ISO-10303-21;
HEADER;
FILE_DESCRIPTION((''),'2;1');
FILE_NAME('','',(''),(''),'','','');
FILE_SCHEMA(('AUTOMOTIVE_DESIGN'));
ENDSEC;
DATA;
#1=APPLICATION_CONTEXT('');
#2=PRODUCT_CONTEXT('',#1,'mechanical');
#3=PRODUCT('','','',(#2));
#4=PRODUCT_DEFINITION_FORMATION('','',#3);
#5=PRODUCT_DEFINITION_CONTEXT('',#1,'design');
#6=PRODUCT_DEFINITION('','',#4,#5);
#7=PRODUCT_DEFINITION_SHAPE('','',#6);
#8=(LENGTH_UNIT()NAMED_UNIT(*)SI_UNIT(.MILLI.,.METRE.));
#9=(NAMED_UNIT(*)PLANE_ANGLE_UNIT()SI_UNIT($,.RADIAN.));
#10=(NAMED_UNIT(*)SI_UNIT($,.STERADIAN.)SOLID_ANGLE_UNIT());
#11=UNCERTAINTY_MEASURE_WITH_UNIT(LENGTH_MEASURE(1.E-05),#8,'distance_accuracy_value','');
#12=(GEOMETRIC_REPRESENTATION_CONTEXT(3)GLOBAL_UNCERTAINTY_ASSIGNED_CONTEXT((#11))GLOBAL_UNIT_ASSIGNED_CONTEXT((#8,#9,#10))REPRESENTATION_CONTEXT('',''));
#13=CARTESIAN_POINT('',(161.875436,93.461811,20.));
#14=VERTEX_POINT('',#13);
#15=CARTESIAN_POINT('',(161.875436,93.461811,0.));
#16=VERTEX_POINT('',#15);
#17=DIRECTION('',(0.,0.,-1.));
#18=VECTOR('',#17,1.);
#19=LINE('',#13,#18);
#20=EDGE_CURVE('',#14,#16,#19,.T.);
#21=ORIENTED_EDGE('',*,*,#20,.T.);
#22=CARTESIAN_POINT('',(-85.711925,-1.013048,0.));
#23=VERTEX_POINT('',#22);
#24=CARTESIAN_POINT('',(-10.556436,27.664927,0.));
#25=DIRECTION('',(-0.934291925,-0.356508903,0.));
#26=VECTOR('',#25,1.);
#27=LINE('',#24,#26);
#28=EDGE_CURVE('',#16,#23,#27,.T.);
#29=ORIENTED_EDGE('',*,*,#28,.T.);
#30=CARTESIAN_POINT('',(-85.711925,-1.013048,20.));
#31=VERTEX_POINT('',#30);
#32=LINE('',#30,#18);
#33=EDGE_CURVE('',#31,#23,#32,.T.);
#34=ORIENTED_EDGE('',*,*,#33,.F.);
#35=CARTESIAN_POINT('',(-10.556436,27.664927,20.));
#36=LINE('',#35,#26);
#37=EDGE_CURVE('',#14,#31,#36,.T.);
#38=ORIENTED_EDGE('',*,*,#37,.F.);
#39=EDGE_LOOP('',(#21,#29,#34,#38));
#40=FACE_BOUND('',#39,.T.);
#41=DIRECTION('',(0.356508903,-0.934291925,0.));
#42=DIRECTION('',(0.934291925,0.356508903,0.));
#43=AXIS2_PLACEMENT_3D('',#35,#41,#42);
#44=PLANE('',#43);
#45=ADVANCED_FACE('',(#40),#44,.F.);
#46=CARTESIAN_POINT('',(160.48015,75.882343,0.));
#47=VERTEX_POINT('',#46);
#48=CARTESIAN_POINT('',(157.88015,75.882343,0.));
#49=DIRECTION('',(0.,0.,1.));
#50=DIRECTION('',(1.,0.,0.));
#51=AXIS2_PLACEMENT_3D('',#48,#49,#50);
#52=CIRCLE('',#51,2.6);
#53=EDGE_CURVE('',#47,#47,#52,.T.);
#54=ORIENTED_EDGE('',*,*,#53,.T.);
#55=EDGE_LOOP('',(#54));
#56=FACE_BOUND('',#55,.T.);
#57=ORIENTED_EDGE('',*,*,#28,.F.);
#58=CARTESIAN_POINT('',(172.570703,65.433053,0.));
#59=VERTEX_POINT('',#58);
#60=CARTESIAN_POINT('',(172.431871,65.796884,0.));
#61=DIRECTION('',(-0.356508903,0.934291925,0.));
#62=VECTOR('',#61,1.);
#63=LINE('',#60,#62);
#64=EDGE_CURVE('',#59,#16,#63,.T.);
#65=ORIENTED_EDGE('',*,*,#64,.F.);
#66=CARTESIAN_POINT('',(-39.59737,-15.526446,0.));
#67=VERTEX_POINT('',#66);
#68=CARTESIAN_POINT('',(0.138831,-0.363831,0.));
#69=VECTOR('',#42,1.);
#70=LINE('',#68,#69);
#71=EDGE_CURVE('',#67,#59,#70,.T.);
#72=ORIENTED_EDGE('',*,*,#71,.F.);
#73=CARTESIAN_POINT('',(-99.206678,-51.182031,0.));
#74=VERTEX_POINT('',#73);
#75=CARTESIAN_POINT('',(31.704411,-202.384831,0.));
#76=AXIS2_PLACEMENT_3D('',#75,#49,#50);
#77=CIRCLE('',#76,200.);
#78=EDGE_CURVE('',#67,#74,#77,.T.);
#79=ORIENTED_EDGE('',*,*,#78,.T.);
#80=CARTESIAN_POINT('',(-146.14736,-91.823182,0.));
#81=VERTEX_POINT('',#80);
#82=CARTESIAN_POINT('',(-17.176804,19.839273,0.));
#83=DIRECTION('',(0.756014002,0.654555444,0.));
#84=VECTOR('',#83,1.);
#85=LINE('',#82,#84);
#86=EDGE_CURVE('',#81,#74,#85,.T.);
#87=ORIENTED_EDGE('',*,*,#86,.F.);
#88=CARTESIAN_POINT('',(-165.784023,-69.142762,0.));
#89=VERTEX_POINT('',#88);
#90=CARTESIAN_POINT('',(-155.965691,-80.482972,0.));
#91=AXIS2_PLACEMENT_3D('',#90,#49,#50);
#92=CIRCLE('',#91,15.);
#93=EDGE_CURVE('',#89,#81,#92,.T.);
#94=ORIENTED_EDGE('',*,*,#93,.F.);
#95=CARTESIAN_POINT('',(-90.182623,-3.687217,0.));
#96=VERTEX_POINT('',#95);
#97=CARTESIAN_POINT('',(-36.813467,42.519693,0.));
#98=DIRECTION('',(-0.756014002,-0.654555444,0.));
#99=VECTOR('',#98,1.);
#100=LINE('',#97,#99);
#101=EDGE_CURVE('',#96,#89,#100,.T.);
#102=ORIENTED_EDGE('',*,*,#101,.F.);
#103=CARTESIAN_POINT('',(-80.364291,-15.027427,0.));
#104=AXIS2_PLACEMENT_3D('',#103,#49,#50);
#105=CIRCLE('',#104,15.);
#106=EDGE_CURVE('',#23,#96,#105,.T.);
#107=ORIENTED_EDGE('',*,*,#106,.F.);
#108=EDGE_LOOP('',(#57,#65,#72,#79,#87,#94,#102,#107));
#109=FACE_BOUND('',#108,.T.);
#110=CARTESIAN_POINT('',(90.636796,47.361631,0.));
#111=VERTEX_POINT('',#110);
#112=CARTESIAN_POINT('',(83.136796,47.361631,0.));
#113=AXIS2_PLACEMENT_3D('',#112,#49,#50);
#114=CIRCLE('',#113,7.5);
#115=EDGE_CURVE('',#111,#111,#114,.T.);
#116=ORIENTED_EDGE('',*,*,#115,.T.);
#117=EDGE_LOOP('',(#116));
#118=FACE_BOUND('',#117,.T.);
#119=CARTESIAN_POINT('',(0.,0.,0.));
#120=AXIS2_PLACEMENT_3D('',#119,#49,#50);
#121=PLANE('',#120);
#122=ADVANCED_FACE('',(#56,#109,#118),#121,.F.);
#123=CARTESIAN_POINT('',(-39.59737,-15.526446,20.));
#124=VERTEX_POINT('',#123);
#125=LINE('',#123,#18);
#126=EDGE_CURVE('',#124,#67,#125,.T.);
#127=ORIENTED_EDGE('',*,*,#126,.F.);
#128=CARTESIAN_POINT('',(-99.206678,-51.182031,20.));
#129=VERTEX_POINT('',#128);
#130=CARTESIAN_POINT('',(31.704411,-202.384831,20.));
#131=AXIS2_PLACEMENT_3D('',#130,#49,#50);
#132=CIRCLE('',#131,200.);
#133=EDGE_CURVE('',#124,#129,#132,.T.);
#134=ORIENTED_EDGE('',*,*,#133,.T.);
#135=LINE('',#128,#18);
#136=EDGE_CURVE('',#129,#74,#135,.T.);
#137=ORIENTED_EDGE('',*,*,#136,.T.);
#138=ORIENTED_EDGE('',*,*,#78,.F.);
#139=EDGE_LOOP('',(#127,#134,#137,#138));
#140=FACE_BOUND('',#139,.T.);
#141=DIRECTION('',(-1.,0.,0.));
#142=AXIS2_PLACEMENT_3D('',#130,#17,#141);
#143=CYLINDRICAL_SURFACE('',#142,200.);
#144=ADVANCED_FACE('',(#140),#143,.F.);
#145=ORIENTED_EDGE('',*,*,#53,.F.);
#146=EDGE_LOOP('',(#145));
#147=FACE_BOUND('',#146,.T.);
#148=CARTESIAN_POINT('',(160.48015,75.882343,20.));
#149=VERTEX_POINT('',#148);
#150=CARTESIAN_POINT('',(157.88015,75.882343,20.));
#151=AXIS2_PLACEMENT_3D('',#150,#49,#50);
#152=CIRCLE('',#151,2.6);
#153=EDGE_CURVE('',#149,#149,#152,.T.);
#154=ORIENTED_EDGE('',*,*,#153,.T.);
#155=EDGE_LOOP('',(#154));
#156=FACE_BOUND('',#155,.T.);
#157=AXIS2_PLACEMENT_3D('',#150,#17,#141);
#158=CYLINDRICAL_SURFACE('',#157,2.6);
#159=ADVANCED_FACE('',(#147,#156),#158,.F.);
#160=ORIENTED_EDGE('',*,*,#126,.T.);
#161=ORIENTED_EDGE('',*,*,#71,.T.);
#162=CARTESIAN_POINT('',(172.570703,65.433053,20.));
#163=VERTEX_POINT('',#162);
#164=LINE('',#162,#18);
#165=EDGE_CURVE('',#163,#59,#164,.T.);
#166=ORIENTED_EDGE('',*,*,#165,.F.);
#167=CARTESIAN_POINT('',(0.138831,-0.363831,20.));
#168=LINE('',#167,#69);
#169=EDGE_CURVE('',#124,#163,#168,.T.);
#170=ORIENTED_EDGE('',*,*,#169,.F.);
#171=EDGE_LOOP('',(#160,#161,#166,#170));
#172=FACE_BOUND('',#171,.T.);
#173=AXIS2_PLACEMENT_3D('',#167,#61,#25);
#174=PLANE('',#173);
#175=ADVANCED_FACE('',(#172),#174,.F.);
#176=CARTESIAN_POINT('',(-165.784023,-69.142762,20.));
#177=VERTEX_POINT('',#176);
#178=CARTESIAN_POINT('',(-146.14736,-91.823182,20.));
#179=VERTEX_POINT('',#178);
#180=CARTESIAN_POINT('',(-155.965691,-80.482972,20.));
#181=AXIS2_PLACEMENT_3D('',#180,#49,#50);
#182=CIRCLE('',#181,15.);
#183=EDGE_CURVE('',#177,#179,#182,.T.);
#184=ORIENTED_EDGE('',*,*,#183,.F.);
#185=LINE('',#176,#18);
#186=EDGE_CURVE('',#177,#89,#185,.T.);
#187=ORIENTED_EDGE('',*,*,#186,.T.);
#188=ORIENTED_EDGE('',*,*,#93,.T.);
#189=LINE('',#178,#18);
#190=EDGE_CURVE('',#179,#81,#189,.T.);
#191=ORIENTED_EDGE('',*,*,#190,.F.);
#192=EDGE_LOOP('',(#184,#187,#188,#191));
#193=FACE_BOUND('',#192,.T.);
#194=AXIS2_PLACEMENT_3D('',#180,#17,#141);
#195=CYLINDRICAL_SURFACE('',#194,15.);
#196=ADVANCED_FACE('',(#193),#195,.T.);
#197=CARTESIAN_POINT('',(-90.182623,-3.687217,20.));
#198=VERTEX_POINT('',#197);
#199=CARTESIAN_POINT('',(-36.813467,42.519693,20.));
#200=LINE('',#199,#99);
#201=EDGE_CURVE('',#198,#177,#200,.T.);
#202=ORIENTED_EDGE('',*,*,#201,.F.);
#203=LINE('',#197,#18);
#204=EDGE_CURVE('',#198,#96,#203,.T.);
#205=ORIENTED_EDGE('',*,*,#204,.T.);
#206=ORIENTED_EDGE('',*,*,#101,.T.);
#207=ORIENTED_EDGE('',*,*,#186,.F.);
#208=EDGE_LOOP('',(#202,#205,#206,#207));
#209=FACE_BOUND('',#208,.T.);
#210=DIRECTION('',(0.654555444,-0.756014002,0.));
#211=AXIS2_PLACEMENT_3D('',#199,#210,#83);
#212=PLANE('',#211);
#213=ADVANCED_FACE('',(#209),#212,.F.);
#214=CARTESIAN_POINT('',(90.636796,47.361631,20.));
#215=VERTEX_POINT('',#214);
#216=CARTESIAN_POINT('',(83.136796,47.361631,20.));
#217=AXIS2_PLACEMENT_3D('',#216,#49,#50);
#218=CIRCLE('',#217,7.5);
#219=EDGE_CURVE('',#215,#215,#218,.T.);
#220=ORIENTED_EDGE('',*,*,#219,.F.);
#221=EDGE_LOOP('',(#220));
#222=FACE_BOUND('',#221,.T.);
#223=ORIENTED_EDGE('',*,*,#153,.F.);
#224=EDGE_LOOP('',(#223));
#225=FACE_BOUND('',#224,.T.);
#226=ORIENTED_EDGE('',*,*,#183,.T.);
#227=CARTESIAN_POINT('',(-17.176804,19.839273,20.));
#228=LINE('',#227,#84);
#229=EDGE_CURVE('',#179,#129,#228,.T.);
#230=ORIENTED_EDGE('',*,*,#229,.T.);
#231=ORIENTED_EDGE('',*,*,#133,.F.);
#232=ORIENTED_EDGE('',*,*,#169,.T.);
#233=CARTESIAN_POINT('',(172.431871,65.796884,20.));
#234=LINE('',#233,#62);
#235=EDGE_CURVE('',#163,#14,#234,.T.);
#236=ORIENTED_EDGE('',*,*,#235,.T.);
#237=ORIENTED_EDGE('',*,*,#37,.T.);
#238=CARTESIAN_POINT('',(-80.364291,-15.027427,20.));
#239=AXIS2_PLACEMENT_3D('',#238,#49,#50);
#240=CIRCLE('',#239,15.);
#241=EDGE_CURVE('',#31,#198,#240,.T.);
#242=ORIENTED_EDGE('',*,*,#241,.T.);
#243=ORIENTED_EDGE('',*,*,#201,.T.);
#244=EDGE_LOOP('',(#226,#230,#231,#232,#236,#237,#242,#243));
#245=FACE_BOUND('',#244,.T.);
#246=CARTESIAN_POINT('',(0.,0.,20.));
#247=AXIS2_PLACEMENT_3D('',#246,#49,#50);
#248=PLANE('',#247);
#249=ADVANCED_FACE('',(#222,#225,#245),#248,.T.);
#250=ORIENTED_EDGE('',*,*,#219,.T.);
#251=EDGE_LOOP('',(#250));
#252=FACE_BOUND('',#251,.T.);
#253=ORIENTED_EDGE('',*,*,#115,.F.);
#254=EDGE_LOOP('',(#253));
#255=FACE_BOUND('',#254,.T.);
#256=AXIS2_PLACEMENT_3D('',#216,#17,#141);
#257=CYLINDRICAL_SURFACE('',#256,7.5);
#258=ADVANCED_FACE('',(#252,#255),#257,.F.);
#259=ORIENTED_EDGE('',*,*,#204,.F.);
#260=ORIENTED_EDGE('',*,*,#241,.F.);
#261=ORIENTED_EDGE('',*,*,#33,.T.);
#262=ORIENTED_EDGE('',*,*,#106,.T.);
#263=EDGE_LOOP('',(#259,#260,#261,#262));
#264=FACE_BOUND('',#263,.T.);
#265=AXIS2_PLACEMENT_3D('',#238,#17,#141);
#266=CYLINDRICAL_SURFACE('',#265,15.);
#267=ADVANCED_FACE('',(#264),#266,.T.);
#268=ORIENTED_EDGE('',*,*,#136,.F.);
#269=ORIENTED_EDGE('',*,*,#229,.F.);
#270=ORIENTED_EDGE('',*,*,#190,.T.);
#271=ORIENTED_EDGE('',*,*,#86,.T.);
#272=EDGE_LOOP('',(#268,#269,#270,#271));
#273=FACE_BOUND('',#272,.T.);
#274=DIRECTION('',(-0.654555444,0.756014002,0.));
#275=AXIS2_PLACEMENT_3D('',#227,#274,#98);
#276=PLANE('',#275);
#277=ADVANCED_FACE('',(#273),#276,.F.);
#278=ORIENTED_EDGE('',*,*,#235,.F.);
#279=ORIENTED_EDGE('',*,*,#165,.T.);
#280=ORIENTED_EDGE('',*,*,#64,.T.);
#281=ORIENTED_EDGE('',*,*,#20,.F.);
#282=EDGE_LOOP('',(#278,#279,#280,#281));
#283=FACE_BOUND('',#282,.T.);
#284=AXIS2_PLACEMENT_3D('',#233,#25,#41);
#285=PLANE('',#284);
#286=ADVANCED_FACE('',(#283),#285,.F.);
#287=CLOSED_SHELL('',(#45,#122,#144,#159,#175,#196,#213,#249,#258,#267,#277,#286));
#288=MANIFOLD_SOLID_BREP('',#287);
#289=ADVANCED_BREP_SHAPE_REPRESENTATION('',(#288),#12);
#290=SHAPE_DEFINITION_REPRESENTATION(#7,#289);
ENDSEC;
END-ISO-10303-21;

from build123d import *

# Parameters (mm, degrees)
SKETCH_1_R      = 2.6
SKETCH_1_R_2    = 7.5
EXTRUDE_1_DEPTH = 20


with BuildPart() as part:
    # 草图1 → 凸台-拉伸1 (new body)
    with BuildSketch(Plane.XY):
        with BuildLine():
            Line((-90.182622834, -3.687217222), (-165.784023014, -69.142761608))
            ThreePointArc((-165.784023014, -69.142761608), (-167.305901383, -90.301303292), (-146.147359698, -91.823181662))
            Line((-146.147359698, -91.823181662), (-99.206677775, -51.182031077))
            ThreePointArc((-99.206677775, -51.182031077), (-70.96175344, -30.746669364), (-39.59736965, -15.526446352))
            Line((-39.59736965, -15.526446352), (172.570702611, 65.433053226))
            Line((172.570702611, 65.433053226), (161.875435514, 93.461810989))
            Line((161.875435514, 93.461810989), (-85.711924724, -1.013048368))
            ThreePointArc((-85.711924724, -1.013048368), (-88.064253508, -2.154565094), (-90.182622834, -3.687217222))
        make_face()
        with Locations((157.880149808, 75.882343075)):
            Circle(SKETCH_1_R, mode=Mode.SUBTRACT)
        with Locations((83.136795774, 47.361630817)):
            Circle(SKETCH_1_R_2, mode=Mode.SUBTRACT)
    extrude(amount=EXTRUDE_1_DEPTH)


solid = part.part
